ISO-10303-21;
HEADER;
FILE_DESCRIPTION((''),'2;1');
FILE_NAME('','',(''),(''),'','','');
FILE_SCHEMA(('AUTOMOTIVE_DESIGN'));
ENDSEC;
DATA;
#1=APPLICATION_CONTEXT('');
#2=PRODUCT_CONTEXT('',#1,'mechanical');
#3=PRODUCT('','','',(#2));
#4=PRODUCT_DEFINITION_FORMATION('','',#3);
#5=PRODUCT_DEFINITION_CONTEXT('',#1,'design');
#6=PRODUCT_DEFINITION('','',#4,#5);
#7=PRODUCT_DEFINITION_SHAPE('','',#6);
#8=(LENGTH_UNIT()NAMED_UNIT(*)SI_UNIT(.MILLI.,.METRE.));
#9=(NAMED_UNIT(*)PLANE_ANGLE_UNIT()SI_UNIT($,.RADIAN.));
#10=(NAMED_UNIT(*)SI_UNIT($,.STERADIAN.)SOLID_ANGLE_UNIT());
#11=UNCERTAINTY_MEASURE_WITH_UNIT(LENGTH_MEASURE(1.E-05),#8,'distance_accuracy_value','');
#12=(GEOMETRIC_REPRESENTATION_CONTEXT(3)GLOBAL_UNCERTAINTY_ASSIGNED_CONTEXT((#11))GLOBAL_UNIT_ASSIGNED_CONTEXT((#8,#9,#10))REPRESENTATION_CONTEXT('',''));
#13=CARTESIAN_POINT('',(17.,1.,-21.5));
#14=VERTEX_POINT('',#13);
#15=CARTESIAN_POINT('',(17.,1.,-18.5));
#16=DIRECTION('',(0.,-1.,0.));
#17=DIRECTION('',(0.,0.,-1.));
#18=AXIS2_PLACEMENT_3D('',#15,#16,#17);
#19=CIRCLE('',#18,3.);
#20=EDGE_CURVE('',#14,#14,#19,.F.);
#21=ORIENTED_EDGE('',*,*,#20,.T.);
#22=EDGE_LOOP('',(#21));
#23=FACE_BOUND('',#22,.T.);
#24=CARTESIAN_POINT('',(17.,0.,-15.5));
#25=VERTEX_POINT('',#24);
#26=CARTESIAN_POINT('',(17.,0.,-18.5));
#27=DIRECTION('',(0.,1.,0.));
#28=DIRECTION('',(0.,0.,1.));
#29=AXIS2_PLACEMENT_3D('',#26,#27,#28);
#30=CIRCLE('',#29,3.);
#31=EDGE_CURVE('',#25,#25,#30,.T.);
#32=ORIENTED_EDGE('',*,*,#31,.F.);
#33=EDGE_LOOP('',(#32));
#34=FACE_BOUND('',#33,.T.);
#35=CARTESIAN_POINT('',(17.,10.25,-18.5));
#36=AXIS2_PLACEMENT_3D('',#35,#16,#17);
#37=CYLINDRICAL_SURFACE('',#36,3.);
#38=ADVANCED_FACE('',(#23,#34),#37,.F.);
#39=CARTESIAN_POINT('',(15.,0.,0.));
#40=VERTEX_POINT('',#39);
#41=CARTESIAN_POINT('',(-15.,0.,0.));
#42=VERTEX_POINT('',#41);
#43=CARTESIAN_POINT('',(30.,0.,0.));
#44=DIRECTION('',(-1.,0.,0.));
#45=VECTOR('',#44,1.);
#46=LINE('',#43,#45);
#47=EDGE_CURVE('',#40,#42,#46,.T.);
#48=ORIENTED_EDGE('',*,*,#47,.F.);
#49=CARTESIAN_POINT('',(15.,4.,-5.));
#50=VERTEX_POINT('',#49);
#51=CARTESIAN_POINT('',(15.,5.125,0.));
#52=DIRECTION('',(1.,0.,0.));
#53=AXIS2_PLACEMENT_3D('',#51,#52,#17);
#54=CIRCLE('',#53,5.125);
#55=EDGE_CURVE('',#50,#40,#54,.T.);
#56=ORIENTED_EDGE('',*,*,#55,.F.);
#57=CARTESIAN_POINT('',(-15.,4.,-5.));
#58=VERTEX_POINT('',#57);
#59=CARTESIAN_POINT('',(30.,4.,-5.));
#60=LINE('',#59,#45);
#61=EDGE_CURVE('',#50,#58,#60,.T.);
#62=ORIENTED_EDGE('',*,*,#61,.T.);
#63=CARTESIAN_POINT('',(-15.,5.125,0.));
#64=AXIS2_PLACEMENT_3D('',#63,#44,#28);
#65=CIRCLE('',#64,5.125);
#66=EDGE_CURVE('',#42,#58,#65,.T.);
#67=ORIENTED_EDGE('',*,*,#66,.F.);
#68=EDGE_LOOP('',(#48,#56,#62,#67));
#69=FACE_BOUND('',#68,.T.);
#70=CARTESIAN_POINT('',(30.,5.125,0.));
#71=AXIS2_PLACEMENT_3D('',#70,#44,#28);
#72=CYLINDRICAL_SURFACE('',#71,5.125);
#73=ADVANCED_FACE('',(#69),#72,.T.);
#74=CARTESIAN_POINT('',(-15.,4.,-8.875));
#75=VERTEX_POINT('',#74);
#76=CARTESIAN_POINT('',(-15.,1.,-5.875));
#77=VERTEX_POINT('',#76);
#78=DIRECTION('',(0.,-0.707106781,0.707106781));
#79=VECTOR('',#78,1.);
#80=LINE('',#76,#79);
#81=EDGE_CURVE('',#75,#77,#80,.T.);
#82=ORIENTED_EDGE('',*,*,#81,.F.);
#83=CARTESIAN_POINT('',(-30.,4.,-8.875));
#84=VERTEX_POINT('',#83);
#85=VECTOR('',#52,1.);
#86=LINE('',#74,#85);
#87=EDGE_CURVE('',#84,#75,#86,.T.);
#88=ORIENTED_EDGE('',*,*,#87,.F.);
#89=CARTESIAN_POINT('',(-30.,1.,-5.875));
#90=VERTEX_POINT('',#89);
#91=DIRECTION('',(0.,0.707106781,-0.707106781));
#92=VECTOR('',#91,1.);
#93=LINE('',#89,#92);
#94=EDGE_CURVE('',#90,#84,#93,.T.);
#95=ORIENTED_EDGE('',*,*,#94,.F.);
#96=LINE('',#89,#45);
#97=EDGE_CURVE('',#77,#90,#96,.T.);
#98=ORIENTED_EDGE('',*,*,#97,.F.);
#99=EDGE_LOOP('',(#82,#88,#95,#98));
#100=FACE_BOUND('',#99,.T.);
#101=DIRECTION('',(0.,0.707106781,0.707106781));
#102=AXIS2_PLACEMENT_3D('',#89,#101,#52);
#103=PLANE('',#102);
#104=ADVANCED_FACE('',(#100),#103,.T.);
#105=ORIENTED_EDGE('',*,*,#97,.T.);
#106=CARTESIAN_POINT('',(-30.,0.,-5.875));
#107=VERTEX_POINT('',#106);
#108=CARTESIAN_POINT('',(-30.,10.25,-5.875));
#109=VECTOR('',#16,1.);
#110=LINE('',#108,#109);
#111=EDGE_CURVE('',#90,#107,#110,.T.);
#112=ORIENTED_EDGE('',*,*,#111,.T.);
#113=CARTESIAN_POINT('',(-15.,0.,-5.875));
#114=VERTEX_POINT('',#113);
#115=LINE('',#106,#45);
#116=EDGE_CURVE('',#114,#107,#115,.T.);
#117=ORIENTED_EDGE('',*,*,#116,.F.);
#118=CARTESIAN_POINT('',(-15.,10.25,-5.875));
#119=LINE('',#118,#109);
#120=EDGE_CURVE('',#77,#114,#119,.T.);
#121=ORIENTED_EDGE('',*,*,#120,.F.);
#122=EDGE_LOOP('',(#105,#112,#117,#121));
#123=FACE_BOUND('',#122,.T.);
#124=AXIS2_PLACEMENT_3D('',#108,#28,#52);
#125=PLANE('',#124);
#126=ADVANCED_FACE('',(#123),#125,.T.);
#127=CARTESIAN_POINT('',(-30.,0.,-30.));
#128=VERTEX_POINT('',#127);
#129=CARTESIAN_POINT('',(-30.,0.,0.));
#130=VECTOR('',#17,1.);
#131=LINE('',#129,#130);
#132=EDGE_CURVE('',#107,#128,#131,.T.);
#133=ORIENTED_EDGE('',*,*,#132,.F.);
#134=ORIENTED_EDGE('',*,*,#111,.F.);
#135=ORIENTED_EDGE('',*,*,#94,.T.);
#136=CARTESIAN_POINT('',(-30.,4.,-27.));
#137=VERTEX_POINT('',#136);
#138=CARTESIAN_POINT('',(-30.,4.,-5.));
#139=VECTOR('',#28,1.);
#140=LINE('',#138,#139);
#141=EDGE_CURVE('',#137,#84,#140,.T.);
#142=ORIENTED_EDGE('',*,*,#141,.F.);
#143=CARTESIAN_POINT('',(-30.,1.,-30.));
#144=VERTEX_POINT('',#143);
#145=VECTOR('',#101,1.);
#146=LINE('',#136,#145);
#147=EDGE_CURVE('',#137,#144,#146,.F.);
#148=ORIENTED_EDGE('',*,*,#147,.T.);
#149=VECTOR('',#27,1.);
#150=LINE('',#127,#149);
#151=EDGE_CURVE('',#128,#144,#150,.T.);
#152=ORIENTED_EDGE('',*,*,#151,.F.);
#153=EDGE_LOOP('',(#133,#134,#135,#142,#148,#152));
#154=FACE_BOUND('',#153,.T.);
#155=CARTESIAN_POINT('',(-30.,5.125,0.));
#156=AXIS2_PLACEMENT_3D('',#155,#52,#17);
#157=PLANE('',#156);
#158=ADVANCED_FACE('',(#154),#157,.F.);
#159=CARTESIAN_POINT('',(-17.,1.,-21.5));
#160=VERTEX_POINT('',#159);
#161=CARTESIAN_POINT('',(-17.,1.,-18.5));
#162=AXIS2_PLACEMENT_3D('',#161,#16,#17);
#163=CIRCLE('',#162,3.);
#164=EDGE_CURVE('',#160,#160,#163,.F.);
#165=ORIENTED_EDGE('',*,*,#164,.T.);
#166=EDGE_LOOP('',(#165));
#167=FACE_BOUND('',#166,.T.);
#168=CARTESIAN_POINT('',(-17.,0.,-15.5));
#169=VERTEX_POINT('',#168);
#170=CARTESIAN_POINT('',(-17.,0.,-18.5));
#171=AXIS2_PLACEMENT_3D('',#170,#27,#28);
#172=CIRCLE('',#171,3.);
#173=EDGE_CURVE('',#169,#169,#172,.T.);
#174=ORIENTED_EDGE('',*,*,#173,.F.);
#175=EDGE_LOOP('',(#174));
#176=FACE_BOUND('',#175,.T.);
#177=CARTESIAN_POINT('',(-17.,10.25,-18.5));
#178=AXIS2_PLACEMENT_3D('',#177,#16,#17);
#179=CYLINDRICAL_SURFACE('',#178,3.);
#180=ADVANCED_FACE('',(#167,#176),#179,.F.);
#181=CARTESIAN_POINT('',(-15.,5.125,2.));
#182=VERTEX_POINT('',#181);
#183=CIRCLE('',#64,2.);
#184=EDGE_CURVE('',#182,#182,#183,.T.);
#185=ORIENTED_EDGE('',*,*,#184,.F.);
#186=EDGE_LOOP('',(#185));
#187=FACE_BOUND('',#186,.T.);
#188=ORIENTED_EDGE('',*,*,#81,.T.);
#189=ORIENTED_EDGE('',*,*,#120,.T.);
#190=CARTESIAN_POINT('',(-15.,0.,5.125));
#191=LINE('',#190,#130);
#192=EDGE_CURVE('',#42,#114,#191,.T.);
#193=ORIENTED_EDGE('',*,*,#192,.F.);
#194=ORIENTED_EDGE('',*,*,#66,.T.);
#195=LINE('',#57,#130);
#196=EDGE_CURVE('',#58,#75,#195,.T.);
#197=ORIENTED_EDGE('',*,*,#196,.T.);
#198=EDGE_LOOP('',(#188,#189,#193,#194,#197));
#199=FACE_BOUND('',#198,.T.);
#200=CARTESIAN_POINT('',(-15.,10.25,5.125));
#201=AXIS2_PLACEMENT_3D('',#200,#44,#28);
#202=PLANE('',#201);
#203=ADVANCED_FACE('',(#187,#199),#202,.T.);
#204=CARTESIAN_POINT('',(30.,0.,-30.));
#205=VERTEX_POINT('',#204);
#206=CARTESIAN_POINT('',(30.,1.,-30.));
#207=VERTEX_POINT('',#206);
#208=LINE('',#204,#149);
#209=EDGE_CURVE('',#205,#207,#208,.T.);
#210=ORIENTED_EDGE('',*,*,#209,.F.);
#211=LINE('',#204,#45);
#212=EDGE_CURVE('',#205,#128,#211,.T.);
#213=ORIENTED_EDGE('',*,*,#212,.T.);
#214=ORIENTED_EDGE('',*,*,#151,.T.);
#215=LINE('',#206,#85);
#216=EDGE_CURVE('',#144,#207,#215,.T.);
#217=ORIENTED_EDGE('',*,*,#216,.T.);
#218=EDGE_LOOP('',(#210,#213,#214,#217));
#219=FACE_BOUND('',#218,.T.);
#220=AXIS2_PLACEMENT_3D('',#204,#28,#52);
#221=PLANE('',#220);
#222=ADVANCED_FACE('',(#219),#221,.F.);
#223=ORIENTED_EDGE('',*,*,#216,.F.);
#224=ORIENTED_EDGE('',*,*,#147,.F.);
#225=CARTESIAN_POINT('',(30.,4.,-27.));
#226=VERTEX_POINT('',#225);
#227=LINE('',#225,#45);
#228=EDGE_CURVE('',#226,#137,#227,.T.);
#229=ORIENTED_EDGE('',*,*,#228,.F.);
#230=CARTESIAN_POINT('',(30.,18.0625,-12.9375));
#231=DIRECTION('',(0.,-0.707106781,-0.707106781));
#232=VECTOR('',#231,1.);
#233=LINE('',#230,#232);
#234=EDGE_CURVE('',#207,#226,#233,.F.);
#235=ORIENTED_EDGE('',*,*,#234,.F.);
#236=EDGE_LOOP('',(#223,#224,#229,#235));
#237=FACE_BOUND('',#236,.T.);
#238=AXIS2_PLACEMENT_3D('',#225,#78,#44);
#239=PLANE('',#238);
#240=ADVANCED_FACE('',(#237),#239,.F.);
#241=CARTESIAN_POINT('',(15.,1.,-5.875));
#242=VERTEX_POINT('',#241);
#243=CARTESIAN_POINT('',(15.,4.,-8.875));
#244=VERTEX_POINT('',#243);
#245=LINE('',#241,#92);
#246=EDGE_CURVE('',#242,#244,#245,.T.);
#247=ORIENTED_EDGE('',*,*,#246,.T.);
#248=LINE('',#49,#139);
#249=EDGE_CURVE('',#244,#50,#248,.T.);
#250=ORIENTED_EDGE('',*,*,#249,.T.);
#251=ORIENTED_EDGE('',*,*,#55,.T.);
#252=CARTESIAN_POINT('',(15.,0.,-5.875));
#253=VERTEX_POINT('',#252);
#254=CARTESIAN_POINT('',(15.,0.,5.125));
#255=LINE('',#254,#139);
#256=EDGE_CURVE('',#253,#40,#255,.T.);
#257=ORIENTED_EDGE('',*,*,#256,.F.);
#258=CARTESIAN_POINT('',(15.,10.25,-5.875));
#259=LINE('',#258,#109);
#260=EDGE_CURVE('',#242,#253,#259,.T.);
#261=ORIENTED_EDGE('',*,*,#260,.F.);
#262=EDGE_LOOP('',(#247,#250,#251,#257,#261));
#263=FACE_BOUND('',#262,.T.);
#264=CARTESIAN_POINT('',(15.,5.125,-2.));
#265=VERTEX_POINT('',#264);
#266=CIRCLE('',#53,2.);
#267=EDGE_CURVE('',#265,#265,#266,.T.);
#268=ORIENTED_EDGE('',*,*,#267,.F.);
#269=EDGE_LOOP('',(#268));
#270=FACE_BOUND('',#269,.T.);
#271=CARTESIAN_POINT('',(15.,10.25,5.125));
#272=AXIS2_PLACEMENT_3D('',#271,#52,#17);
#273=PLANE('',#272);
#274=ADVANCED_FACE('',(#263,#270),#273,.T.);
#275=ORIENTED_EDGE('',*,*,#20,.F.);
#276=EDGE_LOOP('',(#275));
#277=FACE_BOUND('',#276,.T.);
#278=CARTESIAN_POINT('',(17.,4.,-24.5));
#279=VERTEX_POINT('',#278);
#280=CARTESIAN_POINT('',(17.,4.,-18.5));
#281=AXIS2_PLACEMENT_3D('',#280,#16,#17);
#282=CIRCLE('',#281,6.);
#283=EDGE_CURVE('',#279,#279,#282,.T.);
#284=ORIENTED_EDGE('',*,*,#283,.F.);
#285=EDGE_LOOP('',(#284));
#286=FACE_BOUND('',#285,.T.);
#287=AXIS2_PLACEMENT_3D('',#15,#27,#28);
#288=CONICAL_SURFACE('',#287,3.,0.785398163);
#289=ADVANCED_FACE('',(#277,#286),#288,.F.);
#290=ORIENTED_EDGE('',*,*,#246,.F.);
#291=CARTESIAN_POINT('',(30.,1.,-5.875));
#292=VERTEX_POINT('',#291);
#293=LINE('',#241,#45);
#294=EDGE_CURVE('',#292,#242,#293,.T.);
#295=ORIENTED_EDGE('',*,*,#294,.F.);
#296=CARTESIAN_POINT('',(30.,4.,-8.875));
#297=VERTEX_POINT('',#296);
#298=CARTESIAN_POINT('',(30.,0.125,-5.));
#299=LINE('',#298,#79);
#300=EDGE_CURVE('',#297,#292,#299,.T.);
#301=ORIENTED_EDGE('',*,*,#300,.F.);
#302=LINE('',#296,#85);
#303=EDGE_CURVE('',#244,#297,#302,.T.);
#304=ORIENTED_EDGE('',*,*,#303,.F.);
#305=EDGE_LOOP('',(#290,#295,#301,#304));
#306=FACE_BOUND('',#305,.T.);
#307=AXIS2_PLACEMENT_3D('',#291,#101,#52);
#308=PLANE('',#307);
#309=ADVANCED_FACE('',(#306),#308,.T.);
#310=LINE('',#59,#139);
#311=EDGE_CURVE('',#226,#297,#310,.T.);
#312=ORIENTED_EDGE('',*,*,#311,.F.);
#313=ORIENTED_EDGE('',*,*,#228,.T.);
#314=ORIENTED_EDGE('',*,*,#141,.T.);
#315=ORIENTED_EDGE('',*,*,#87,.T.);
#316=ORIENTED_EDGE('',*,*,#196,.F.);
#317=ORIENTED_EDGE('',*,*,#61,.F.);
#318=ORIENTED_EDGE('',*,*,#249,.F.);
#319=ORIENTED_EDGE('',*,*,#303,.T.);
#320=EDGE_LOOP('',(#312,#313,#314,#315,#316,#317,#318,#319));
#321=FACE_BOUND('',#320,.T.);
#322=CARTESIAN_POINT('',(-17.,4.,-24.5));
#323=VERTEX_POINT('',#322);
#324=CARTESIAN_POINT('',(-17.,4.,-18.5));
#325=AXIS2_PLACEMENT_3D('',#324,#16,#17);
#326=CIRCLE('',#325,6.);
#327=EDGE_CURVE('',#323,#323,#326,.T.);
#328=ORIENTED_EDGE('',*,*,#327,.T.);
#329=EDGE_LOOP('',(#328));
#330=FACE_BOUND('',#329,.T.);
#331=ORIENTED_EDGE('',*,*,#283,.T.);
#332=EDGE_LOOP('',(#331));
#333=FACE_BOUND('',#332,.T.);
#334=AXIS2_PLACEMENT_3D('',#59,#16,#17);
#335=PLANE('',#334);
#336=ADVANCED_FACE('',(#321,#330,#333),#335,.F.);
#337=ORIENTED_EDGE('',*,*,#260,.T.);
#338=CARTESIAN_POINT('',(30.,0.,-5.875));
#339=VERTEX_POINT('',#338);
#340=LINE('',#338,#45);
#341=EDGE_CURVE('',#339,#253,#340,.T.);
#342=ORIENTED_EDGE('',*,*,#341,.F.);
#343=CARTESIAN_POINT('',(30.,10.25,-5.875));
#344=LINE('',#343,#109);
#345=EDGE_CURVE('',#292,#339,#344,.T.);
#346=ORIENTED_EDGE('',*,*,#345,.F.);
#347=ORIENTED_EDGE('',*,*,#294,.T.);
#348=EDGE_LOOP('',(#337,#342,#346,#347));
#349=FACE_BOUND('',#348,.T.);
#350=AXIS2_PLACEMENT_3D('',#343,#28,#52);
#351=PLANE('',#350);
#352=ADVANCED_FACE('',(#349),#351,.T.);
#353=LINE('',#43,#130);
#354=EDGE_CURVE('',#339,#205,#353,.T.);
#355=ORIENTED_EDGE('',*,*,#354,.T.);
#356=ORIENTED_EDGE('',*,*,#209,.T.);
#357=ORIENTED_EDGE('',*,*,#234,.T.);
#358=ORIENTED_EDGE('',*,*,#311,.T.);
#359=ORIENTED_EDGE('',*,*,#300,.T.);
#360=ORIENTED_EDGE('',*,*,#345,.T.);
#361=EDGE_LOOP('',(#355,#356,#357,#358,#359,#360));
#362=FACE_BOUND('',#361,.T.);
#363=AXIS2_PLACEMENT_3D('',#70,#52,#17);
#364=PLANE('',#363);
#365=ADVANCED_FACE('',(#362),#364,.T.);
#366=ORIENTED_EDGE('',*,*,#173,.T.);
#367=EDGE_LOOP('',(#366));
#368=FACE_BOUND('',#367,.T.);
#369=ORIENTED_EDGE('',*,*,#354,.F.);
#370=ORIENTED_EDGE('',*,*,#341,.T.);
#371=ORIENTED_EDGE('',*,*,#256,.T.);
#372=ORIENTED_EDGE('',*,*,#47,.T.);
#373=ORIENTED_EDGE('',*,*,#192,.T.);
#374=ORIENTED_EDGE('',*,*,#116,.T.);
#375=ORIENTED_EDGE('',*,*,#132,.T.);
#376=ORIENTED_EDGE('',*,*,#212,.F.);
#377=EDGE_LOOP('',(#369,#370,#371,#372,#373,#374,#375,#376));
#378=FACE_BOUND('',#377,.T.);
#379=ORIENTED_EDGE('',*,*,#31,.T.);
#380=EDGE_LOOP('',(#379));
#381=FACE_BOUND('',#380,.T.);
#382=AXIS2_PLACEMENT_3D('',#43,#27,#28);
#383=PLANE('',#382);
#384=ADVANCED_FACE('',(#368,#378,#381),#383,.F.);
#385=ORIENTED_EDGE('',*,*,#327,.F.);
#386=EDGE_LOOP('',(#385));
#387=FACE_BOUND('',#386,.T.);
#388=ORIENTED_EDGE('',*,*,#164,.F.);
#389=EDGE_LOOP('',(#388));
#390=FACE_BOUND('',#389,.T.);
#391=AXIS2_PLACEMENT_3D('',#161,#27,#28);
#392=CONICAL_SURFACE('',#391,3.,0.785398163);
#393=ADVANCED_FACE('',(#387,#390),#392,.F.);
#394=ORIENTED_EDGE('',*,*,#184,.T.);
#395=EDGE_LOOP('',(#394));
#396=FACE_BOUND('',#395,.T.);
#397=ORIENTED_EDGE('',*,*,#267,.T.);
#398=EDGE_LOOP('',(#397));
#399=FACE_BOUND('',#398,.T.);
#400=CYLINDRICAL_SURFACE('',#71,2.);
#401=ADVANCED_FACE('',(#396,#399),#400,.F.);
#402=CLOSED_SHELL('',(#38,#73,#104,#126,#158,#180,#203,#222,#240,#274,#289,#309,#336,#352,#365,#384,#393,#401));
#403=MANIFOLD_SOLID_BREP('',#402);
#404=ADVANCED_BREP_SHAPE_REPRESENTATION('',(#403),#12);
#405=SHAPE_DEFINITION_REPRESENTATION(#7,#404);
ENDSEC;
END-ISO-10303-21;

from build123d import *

# Parameters (mm, degrees)
SKETCH_1_R          = 2
EXTRUDE_1_DEPTH     = 30
SKETCH_2_R          = 3
SKETCH_2_W          = 15
SKETCH_2_H          = 11
CUT_EXTRUDE_1_DEPTH = 44.647021662
CHAMFER_1_SIZE      = 3


with BuildPart() as part:
    # 草图1 → 凸台-拉伸1 (new, symmetric)
    with BuildSketch(Plane(origin=(0, 0, 0), x_dir=(0, 0, -1), z_dir=(1, 0, 0))):
        with BuildLine():
            Line((0, 0), (30, 0))
            Line((30, 0), (30, 4))
            Line((30, 4), (5, 4))
            ThreePointArc((5, 4), (-3.201562119, 9.126952648), (0, 0))
        make_face()
        with Locations((0, 5.125)):
            Circle(SKETCH_1_R, mode=Mode.SUBTRACT)
    extrude(amount=EXTRUDE_1_DEPTH, both=True)

    # 草图2 → 切除-拉伸1 (cut, through all)
    with BuildSketch(Plane(origin=(0, 0, 0), x_dir=(1, 0, 0), z_dir=(0, 1, 0))):
        with Locations(Location((-17, 18.5, 0), (0, 0, 90))):
            Circle(SKETCH_2_R)
        with Locations(Location((17, 18.5, 0), (0, 0, 90))):
            Circle(SKETCH_2_R)
        with Locations((22.5, 0.375)):
            Rectangle(SKETCH_2_W, SKETCH_2_H)
        with Locations((-22.5, 0.375)):
            Rectangle(SKETCH_2_W, SKETCH_2_H)
    extrude(amount=CUT_EXTRUDE_1_DEPTH, mode=Mode.SUBTRACT)

    # 倒角1
    chamfer_1_edges = [part.edges().sort_by_distance(p)[0] for p in [
        (22.5, 4, -5.875),
        (-22.5, 4, -5.875),
        (17, 4, -15.5),
        (-17, 4, -15.5),
        (0, 4, -30),
    ]]
    chamfer(chamfer_1_edges, length=CHAMFER_1_SIZE)


solid = part.part
